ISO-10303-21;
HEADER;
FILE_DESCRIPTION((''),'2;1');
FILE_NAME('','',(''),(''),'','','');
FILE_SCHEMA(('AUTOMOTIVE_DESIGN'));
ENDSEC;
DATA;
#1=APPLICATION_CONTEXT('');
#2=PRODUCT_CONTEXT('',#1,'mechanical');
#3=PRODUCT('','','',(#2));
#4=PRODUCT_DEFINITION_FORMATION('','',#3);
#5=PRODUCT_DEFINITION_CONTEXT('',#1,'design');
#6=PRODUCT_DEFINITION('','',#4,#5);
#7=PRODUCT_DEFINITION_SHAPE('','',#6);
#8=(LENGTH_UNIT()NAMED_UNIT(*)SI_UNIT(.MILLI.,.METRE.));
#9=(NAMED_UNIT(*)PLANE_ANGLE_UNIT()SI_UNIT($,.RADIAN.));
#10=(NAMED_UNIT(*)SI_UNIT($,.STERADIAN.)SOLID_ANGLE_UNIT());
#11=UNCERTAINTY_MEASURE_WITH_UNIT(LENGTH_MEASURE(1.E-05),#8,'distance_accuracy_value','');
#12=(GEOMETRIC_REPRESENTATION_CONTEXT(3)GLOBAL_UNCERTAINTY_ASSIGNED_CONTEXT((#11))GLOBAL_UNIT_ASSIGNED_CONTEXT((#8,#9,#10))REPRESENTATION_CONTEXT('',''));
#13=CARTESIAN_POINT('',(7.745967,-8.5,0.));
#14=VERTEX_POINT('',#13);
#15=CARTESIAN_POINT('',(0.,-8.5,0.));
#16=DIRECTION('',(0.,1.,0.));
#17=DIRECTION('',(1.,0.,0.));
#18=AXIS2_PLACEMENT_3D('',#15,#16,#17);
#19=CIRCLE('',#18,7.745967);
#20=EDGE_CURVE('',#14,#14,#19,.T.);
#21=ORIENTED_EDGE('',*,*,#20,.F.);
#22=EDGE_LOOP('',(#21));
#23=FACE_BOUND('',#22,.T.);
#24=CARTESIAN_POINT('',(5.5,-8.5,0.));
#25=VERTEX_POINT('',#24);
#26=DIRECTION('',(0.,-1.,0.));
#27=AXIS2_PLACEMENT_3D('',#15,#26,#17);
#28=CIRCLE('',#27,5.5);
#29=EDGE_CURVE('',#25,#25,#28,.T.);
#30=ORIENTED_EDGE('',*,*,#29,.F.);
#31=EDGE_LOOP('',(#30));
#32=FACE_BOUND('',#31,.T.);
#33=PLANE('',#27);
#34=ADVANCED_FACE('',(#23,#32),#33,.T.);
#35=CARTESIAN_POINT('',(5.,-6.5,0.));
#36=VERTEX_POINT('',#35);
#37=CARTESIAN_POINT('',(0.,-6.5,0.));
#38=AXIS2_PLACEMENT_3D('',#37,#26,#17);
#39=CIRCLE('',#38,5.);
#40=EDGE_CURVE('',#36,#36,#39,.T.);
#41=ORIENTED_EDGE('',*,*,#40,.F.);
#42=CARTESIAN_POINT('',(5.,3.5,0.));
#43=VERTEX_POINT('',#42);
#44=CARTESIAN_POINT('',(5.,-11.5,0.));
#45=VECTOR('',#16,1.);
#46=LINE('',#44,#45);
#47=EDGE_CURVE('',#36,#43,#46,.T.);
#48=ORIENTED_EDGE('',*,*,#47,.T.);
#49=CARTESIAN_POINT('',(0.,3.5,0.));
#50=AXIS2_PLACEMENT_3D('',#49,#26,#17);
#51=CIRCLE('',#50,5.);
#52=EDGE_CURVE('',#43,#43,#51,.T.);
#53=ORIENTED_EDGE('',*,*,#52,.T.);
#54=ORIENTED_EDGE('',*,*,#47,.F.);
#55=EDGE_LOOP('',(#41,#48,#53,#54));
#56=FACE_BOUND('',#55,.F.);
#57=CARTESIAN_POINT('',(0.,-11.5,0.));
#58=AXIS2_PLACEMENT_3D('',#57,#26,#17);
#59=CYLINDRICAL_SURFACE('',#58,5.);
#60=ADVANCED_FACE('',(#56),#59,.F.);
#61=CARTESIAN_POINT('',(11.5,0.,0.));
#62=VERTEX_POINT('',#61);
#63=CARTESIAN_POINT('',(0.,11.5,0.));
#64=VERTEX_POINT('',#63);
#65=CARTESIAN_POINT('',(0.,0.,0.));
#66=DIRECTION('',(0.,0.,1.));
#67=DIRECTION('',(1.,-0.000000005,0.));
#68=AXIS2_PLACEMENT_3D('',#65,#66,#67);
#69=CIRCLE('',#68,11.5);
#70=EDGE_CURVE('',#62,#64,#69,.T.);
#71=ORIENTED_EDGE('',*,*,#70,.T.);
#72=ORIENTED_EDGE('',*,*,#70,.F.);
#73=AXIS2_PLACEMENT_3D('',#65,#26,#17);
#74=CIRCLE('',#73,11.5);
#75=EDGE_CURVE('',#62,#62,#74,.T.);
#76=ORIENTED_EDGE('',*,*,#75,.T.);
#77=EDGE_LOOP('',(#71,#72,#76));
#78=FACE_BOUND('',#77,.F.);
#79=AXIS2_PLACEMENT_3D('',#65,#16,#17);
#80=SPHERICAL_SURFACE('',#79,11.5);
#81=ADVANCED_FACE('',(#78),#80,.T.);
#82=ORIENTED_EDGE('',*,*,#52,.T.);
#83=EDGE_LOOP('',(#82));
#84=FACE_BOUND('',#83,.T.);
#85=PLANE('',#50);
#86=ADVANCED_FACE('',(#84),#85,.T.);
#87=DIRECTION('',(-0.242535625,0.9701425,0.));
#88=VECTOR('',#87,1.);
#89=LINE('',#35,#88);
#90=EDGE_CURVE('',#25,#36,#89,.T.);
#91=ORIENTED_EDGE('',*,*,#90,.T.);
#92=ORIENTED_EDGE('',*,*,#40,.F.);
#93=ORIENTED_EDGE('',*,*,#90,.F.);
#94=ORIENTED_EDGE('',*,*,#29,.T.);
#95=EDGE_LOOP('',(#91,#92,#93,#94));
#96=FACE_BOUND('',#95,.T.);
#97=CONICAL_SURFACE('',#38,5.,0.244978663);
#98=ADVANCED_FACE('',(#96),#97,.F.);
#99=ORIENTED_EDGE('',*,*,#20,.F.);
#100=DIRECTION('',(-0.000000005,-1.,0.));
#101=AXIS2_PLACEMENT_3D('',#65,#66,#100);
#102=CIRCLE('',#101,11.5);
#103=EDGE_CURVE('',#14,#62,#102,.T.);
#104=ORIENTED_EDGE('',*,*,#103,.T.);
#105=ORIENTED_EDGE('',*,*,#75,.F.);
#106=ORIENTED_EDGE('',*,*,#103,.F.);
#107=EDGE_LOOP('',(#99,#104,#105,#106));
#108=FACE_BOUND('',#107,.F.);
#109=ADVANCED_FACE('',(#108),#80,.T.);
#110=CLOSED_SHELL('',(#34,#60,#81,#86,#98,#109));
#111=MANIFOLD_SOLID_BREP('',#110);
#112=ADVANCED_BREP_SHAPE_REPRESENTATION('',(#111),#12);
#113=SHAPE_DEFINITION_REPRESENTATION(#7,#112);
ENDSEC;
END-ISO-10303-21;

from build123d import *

# Parameters (mm, degrees)
F3_R     = 5
F4_DEPTH = 15
F5_R     = 8.305738
F6_DEPTH = 3
F7_SIZE2 = 2
F7_SIZE  = 0.5


with BuildPart() as f1:
    # F0 (on Top) → F1 (revolve)
    with BuildSketch(Plane.XY):
        with BuildLine():
            ThreePointArc((0, -11.5), (8.131728, -8.131728), (11.5, 0))
            ThreePointArc((11.5, 0), (8.131728, 8.131728), (0, 11.5))
            Line((0, 11.5), (0, -11.5))
        make_face()
    revolve(axis=Axis((0, -5.406174, 0), (0, -1, 0)))

    # F3 (on face) → F4 (cut)
    with BuildSketch(Plane.XZ.offset(11.5)):
        Circle(F3_R)
    extrude(amount=-F4_DEPTH, mode=Mode.SUBTRACT)

    # F5 (on face) → F6 (cut)
    with BuildSketch(Plane.XZ.offset(11.5)):
        Circle(F5_R)
    extrude(amount=-F6_DEPTH, mode=Mode.SUBTRACT)

    # F7
    f7_edges = [f1.edges().sort_by_distance(p)[0] for p in [
        (-5, -8.5, 0),
    ]]
    chamfer(f7_edges, length=F7_SIZE, length2=F7_SIZE2)


solid = f1.part
